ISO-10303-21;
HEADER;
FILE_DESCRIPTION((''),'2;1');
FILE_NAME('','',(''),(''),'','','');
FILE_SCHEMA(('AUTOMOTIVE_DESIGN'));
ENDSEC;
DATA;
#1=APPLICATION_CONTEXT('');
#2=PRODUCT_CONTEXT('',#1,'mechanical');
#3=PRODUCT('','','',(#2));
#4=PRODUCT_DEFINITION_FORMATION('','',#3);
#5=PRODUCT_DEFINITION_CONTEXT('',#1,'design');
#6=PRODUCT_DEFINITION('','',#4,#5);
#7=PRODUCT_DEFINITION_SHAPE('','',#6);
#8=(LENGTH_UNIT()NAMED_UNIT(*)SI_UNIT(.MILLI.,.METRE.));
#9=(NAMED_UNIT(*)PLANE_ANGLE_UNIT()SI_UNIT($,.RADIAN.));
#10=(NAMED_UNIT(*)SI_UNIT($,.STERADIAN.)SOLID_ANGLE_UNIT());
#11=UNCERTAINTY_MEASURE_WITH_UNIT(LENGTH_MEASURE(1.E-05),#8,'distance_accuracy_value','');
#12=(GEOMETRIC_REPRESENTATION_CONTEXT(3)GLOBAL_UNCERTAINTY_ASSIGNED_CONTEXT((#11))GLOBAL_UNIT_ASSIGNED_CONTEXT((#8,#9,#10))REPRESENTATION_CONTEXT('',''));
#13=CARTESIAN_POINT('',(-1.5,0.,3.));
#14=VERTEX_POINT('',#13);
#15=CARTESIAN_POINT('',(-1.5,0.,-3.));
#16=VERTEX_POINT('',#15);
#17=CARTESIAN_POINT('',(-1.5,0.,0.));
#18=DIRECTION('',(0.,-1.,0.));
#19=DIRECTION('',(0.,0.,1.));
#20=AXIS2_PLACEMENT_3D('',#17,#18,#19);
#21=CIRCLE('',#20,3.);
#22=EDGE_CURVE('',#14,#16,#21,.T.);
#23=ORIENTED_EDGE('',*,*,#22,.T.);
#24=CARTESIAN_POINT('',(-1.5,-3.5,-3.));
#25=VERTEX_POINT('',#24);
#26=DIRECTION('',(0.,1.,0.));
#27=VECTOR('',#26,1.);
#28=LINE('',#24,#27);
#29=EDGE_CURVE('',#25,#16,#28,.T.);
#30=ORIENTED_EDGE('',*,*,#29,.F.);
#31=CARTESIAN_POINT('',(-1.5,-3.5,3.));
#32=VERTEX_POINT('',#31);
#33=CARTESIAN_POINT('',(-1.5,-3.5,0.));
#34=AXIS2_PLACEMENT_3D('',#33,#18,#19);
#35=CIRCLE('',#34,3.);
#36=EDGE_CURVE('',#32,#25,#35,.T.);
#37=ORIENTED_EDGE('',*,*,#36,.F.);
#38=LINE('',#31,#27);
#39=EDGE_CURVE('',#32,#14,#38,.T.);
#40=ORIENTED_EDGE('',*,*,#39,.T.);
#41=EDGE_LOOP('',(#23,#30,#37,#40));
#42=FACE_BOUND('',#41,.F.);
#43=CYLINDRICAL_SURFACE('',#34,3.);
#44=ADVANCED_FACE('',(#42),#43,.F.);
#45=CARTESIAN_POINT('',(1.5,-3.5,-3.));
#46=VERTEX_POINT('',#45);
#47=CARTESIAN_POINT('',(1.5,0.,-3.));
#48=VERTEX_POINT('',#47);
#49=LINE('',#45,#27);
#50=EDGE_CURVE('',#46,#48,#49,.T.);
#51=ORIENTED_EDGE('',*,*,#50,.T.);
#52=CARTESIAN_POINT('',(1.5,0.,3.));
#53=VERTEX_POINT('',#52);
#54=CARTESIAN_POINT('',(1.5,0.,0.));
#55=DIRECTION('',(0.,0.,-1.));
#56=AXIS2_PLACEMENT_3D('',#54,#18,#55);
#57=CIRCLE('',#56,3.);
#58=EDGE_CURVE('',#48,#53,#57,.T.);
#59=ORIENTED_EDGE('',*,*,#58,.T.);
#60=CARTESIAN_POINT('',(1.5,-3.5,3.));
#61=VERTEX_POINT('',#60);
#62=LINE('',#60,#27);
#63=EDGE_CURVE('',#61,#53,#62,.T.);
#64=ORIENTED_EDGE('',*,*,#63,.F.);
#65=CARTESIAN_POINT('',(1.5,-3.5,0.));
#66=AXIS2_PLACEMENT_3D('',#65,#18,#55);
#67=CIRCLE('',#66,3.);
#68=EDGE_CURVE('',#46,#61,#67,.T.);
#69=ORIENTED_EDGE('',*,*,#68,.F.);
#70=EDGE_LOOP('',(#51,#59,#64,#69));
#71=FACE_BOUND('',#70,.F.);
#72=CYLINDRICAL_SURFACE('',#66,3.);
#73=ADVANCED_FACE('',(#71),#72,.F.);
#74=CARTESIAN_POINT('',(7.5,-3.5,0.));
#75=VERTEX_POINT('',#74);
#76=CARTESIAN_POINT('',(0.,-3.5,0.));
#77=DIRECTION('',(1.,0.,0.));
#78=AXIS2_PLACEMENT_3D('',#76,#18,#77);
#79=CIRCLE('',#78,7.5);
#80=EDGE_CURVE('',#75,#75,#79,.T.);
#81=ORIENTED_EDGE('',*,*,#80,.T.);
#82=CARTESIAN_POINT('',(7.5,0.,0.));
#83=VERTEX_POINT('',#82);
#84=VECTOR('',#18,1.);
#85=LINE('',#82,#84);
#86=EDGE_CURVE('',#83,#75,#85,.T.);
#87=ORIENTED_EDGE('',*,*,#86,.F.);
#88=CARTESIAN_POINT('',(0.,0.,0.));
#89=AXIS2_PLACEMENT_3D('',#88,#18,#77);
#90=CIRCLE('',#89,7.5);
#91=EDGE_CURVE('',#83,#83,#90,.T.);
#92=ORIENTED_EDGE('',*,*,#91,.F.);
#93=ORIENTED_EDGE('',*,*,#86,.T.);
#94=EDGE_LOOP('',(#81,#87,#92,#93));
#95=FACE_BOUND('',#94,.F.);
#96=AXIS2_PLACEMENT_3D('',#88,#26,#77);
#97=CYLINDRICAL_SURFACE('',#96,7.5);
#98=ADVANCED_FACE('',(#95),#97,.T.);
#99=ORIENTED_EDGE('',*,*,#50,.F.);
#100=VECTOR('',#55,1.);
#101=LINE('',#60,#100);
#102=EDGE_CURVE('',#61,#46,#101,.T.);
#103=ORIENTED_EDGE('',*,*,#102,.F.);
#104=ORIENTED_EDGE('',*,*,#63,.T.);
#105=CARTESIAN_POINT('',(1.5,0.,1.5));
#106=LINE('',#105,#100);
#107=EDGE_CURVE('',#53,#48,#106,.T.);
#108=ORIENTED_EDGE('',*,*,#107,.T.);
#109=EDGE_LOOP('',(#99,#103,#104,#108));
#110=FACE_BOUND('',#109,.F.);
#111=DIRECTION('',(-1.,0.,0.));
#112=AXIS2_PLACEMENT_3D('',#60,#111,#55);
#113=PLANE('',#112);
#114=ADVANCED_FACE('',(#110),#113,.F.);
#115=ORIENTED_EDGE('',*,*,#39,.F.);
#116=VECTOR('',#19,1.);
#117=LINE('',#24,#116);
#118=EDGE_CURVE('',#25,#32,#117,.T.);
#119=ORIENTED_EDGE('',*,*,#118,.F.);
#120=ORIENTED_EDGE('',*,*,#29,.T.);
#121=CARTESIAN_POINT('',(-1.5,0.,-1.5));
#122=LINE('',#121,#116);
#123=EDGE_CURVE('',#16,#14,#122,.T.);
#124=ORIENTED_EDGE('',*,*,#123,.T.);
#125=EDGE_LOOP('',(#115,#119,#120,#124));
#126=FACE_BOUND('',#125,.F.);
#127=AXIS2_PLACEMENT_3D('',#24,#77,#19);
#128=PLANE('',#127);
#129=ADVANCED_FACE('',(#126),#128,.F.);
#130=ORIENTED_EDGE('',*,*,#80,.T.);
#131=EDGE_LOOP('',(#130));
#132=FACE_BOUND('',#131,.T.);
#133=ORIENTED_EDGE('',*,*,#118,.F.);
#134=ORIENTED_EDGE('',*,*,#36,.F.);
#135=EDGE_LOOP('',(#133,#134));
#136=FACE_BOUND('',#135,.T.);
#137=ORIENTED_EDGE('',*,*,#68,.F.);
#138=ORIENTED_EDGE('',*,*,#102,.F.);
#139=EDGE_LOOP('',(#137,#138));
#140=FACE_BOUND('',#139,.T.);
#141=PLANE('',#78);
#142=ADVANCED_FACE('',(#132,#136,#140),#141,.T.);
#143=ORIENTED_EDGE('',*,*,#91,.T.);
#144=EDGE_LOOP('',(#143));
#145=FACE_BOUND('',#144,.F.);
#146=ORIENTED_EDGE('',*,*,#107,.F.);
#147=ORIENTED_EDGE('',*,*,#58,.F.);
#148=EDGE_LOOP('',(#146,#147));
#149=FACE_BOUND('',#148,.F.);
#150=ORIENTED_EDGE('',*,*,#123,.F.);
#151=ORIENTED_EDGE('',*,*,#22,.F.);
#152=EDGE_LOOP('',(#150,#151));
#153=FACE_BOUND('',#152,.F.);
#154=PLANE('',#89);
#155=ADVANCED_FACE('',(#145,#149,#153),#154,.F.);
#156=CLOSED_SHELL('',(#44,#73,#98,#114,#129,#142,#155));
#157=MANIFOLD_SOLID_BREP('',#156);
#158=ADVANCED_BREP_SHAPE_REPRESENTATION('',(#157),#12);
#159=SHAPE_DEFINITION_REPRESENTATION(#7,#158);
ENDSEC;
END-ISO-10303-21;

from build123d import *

# Parameters (mm, degrees)
F0_R     = 7.5
F1_DEPTH = 3.5
F3_DEPTH = 25


with BuildPart() as f1:
    # F0 (on Front) → F1 (new body)
    with BuildSketch(Plane.XZ):
        Circle(F0_R)
    extrude(amount=F1_DEPTH)

    # F2 (on face) → F3 (cut)
    with BuildSketch(Plane.XZ.offset(3.5)):
        with BuildLine():
            ThreePointArc((1.5, -3), (4.5, 0), (1.5, 3))
            Line((1.5, 3), (1.5, -3))
        make_face()
        with BuildLine():
            Line((-1.5, -3), (-1.5, 3))
            ThreePointArc((-1.5, 3), (-4.5, 0), (-1.5, -3))
        make_face()
    extrude(amount=-F3_DEPTH, mode=Mode.SUBTRACT)


solid = f1.part
